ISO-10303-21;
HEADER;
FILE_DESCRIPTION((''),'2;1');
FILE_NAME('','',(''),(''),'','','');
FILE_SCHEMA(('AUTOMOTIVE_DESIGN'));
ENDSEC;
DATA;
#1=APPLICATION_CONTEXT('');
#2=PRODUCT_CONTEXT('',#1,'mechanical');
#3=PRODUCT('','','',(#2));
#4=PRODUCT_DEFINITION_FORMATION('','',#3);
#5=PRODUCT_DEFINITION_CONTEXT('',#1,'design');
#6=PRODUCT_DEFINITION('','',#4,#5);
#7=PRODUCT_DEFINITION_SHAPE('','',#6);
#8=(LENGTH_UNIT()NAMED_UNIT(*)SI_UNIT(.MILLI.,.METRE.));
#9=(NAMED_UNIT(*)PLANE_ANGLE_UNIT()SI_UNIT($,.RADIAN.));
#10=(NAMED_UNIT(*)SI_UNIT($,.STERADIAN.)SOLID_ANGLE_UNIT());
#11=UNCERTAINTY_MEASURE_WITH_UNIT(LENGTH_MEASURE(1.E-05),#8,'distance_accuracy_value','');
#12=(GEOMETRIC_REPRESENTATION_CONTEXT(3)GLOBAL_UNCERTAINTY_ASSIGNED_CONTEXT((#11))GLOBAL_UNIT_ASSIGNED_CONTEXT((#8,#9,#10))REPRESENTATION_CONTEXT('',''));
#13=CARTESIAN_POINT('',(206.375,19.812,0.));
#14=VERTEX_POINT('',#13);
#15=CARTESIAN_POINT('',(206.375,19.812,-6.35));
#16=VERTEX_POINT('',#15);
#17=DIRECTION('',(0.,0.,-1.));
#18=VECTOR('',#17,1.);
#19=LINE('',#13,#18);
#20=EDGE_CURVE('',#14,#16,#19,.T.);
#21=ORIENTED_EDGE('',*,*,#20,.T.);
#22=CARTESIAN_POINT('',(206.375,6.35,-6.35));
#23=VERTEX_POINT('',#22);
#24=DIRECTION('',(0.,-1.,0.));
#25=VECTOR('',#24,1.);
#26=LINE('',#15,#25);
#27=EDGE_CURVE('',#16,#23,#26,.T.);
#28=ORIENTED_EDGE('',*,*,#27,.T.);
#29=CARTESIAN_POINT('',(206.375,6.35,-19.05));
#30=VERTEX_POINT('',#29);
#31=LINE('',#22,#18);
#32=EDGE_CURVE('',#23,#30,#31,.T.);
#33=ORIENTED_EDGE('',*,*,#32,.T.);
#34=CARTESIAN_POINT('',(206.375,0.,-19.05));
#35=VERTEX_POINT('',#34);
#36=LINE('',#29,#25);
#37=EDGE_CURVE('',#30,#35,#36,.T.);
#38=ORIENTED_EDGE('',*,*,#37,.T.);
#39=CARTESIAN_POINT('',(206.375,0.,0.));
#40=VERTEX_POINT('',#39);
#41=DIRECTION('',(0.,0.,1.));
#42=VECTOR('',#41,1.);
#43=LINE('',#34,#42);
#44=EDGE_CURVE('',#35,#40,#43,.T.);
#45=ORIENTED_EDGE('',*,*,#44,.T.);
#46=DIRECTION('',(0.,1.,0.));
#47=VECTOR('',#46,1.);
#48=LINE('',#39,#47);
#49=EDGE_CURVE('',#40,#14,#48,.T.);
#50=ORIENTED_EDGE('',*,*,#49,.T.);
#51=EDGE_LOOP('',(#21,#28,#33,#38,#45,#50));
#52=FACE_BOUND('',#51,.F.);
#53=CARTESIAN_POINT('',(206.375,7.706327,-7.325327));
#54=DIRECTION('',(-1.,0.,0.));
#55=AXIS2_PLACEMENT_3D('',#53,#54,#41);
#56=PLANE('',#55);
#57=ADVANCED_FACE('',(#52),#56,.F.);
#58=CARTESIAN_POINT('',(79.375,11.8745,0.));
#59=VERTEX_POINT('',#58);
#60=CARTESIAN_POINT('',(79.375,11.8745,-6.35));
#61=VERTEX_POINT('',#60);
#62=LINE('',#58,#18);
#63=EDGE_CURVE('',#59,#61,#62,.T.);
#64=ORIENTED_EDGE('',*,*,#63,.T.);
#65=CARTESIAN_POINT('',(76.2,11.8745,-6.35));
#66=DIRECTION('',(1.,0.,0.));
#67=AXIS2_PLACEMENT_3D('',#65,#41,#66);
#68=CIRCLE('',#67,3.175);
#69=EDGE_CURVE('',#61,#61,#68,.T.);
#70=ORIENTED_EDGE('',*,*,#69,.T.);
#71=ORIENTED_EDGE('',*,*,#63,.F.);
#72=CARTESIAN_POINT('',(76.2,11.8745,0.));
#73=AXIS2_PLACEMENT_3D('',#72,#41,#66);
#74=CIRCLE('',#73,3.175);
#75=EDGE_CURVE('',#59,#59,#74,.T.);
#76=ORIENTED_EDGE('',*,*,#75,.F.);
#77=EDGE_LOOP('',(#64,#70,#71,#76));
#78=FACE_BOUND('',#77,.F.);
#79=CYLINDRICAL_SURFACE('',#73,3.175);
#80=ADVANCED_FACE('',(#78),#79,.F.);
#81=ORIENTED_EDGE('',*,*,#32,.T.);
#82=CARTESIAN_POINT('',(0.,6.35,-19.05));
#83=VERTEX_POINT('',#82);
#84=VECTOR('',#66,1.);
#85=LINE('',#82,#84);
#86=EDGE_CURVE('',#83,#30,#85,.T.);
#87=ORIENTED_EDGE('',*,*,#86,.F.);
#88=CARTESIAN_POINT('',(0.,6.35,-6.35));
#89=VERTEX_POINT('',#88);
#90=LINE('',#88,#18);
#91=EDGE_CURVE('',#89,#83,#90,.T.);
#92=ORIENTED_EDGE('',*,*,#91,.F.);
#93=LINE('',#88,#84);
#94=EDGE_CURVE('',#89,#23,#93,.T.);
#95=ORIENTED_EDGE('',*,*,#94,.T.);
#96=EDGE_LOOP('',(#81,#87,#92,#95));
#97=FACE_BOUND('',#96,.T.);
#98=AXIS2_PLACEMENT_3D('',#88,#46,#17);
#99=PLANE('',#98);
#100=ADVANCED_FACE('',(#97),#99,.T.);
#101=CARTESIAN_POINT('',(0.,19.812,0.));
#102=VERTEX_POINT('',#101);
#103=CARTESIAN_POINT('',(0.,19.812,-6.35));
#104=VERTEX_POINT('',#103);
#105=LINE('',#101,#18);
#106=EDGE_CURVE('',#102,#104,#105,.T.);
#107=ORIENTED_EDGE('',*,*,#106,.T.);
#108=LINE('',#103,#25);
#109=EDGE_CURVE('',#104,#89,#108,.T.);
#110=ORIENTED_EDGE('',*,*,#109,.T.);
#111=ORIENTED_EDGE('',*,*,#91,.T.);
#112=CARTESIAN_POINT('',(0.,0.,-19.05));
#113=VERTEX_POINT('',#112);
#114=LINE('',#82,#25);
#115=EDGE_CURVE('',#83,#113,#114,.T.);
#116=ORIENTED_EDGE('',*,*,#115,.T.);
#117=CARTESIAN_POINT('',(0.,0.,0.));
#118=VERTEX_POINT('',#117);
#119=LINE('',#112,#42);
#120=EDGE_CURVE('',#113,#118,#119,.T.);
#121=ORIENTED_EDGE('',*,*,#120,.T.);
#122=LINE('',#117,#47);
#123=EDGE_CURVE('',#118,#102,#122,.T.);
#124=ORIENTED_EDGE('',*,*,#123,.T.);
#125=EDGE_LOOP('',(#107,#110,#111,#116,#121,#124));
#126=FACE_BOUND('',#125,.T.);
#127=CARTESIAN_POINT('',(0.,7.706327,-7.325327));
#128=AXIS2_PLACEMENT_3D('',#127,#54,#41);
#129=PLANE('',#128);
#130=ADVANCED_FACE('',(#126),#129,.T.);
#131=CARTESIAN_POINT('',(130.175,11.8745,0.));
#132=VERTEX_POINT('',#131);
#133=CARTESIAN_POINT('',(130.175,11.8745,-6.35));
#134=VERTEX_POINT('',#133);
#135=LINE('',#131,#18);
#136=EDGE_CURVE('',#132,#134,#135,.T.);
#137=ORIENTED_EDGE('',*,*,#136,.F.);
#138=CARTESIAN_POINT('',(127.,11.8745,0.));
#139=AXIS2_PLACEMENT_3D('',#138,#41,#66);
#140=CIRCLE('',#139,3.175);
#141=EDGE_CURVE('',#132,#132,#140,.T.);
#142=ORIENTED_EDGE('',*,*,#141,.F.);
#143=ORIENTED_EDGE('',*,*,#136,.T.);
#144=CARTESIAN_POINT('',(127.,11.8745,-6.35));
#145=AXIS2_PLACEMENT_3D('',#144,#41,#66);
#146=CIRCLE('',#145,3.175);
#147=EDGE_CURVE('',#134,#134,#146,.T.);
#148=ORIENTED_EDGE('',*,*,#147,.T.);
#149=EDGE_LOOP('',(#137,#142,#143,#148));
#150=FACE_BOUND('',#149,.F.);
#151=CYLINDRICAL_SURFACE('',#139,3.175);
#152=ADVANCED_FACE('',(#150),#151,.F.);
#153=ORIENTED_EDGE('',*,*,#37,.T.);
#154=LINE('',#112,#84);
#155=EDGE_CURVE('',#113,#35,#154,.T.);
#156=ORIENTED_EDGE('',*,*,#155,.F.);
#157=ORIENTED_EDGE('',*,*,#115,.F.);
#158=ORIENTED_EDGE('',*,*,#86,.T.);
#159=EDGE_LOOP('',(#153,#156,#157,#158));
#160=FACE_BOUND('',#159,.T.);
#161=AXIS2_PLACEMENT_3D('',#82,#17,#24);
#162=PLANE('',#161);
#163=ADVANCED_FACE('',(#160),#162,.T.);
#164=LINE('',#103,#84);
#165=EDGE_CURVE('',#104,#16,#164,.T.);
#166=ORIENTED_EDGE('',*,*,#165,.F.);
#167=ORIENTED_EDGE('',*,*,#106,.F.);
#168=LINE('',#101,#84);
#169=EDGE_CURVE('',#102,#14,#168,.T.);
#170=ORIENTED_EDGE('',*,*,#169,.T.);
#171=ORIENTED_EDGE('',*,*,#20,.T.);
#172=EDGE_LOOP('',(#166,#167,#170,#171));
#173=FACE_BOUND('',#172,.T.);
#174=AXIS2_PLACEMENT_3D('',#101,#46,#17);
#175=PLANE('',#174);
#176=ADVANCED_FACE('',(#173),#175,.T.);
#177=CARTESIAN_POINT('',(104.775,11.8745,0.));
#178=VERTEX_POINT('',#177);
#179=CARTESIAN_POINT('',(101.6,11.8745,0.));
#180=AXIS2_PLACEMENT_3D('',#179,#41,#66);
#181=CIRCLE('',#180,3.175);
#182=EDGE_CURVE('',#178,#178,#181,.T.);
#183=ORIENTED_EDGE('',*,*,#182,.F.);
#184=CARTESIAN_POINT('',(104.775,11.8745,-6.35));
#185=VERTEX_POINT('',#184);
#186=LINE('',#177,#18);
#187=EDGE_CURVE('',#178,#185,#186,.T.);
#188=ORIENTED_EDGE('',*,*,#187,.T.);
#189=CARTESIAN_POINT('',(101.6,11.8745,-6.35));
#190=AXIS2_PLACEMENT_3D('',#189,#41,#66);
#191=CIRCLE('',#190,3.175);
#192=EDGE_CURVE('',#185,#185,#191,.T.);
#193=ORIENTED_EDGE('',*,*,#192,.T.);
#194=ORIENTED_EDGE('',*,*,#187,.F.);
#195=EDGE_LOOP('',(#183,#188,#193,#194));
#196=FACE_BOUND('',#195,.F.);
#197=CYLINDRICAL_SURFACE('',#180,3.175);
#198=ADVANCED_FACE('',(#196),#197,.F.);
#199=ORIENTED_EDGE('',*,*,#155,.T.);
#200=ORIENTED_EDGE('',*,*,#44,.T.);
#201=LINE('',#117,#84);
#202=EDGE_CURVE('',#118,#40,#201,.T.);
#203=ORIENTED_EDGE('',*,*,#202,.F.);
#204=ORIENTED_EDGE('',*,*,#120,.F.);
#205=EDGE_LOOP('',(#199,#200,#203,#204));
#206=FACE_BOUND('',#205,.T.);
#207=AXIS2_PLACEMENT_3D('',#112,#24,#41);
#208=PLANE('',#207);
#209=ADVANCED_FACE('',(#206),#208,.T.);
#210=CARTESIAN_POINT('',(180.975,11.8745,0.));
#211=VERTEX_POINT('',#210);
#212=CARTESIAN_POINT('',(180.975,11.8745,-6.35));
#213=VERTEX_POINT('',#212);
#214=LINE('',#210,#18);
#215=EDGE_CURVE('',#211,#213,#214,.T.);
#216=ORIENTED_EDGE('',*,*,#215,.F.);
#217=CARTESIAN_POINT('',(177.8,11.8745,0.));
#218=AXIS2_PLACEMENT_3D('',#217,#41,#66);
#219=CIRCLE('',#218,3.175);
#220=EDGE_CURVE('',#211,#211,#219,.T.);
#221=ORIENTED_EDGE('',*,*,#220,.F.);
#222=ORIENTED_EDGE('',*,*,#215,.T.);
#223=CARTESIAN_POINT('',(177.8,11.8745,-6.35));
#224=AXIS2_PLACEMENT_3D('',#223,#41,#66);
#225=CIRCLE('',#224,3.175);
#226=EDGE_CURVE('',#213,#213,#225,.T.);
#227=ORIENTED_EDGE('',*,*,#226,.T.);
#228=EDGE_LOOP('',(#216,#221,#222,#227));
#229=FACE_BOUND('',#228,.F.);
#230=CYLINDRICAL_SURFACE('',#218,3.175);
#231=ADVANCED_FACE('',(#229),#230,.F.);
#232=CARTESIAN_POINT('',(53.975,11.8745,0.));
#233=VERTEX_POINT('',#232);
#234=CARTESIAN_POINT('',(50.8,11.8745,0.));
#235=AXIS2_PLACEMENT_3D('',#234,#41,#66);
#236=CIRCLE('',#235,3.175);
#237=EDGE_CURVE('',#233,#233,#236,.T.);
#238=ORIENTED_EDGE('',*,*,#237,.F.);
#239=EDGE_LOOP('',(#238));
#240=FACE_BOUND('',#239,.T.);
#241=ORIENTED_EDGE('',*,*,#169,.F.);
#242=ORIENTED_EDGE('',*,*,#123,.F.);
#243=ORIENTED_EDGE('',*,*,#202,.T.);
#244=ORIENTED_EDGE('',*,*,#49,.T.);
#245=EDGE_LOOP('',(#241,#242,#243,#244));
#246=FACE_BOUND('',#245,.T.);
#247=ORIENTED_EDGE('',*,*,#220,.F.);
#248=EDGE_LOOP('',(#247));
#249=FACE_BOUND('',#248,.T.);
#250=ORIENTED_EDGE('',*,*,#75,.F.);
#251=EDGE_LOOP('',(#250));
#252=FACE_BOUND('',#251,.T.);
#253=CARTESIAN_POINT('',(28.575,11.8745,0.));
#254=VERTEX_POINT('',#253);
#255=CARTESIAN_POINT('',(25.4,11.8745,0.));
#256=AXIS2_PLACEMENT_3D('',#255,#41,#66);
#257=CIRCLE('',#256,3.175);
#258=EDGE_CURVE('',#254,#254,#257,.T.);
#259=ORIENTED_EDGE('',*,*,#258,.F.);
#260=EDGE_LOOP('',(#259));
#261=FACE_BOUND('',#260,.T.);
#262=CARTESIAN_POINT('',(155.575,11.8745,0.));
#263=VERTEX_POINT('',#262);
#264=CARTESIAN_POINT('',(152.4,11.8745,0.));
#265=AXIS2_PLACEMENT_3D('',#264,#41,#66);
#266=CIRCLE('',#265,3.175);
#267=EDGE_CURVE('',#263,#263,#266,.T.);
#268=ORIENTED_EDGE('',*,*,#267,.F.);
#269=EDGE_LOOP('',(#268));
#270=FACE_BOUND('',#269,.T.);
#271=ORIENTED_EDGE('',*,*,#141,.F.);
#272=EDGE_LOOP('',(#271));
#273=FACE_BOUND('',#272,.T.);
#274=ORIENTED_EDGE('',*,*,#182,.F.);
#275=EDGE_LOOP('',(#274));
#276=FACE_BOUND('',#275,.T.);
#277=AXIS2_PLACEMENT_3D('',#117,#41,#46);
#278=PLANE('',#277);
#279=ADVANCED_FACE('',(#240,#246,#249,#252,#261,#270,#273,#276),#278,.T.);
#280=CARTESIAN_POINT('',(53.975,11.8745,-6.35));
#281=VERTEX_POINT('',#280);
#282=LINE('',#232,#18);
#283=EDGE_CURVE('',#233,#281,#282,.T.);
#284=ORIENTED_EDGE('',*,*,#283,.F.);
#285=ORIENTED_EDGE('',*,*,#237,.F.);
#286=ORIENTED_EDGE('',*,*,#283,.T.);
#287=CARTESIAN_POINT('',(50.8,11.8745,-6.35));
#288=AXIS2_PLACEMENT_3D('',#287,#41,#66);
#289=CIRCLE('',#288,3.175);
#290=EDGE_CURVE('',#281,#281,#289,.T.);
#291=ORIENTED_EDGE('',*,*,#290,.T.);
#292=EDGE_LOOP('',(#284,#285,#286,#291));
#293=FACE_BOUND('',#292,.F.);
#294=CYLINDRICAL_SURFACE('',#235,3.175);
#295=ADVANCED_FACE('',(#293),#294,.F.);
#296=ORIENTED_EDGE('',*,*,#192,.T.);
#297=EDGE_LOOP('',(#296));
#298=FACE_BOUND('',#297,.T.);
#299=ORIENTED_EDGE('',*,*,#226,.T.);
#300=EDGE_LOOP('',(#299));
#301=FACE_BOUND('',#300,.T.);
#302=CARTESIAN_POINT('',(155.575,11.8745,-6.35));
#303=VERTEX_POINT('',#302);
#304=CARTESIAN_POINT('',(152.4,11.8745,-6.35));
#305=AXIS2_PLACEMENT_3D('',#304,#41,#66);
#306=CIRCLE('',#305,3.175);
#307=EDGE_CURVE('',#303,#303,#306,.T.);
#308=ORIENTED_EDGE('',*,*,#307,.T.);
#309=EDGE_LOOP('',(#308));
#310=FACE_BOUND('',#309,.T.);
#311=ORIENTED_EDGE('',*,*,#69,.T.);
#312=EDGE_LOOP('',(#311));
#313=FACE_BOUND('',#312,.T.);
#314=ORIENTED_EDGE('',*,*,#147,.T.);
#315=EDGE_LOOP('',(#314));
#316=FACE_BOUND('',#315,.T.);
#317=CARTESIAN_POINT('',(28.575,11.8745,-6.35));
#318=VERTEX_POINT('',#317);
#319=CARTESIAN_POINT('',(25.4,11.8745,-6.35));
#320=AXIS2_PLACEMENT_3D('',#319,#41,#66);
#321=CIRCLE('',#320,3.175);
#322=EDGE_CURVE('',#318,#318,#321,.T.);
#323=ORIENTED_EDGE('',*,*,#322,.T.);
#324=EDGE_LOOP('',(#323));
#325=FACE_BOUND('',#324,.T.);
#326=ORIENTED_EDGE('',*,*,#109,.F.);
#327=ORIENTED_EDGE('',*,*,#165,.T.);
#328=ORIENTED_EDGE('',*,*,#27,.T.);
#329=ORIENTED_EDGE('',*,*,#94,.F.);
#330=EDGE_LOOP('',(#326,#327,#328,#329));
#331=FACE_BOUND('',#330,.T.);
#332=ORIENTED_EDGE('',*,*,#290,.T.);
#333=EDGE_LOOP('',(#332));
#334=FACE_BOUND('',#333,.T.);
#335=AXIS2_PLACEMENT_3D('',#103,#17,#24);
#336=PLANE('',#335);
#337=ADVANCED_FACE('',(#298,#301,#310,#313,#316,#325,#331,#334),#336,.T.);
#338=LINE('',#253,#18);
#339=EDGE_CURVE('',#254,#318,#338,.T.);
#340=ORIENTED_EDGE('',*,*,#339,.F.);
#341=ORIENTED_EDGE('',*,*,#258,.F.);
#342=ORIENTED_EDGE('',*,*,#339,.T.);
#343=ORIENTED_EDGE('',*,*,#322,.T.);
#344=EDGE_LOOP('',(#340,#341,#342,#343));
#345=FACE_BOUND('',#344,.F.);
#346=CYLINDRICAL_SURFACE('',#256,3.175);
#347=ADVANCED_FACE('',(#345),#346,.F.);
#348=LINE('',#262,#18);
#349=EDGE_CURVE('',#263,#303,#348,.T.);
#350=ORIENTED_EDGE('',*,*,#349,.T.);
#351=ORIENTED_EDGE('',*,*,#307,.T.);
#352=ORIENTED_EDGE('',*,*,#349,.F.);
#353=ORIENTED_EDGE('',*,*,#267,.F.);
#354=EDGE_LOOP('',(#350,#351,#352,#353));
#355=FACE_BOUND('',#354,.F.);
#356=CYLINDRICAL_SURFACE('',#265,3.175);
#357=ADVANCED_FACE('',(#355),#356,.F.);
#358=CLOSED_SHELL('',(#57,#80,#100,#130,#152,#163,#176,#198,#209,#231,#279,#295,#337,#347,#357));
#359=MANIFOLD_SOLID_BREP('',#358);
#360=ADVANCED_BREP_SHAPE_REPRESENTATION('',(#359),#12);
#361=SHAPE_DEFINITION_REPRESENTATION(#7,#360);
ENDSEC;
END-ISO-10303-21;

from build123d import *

# Parameters (mm, degrees)
BOSS_EXTRUDE1_DEPTH = 206.375
SKETCH2_R           = 3.175
CUT_EXTRUDE1_DEPTH  = 209.19716249
LPATTERN1_COUNT     = 7
LPATTERN1_PITCH     = 25.4


with BuildPart() as part:
    # Sketch1 → Boss-Extrude1 (new body)
    with BuildSketch(Plane(origin=(0, 0, 0), x_dir=(0, 0, -1), z_dir=(1, 0, 0))):
        Polygon((0, 0), (0, 19.812), (6.35, 19.812), (6.35, 6.35), (19.05, 6.35), (19.05, 0), align=None)
    extrude(amount=BOSS_EXTRUDE1_DEPTH)

    # Sketch2 → Cut-Extrude1 (cut, through all)
    with BuildSketch(Plane.XY):
        with Locations((25.4, 11.8745)):
            Circle(SKETCH2_R)
    cut_extrude1 = extrude(amount=-CUT_EXTRUDE1_DEPTH, mode=Mode.SUBTRACT)

    # LPattern1: Cut-Extrude1 ×7
    with Locations(*[(i * LPATTERN1_PITCH, 0, 0) for i in range(1, LPATTERN1_COUNT)]):
        add(cut_extrude1, mode=Mode.SUBTRACT)


solid = part.part
